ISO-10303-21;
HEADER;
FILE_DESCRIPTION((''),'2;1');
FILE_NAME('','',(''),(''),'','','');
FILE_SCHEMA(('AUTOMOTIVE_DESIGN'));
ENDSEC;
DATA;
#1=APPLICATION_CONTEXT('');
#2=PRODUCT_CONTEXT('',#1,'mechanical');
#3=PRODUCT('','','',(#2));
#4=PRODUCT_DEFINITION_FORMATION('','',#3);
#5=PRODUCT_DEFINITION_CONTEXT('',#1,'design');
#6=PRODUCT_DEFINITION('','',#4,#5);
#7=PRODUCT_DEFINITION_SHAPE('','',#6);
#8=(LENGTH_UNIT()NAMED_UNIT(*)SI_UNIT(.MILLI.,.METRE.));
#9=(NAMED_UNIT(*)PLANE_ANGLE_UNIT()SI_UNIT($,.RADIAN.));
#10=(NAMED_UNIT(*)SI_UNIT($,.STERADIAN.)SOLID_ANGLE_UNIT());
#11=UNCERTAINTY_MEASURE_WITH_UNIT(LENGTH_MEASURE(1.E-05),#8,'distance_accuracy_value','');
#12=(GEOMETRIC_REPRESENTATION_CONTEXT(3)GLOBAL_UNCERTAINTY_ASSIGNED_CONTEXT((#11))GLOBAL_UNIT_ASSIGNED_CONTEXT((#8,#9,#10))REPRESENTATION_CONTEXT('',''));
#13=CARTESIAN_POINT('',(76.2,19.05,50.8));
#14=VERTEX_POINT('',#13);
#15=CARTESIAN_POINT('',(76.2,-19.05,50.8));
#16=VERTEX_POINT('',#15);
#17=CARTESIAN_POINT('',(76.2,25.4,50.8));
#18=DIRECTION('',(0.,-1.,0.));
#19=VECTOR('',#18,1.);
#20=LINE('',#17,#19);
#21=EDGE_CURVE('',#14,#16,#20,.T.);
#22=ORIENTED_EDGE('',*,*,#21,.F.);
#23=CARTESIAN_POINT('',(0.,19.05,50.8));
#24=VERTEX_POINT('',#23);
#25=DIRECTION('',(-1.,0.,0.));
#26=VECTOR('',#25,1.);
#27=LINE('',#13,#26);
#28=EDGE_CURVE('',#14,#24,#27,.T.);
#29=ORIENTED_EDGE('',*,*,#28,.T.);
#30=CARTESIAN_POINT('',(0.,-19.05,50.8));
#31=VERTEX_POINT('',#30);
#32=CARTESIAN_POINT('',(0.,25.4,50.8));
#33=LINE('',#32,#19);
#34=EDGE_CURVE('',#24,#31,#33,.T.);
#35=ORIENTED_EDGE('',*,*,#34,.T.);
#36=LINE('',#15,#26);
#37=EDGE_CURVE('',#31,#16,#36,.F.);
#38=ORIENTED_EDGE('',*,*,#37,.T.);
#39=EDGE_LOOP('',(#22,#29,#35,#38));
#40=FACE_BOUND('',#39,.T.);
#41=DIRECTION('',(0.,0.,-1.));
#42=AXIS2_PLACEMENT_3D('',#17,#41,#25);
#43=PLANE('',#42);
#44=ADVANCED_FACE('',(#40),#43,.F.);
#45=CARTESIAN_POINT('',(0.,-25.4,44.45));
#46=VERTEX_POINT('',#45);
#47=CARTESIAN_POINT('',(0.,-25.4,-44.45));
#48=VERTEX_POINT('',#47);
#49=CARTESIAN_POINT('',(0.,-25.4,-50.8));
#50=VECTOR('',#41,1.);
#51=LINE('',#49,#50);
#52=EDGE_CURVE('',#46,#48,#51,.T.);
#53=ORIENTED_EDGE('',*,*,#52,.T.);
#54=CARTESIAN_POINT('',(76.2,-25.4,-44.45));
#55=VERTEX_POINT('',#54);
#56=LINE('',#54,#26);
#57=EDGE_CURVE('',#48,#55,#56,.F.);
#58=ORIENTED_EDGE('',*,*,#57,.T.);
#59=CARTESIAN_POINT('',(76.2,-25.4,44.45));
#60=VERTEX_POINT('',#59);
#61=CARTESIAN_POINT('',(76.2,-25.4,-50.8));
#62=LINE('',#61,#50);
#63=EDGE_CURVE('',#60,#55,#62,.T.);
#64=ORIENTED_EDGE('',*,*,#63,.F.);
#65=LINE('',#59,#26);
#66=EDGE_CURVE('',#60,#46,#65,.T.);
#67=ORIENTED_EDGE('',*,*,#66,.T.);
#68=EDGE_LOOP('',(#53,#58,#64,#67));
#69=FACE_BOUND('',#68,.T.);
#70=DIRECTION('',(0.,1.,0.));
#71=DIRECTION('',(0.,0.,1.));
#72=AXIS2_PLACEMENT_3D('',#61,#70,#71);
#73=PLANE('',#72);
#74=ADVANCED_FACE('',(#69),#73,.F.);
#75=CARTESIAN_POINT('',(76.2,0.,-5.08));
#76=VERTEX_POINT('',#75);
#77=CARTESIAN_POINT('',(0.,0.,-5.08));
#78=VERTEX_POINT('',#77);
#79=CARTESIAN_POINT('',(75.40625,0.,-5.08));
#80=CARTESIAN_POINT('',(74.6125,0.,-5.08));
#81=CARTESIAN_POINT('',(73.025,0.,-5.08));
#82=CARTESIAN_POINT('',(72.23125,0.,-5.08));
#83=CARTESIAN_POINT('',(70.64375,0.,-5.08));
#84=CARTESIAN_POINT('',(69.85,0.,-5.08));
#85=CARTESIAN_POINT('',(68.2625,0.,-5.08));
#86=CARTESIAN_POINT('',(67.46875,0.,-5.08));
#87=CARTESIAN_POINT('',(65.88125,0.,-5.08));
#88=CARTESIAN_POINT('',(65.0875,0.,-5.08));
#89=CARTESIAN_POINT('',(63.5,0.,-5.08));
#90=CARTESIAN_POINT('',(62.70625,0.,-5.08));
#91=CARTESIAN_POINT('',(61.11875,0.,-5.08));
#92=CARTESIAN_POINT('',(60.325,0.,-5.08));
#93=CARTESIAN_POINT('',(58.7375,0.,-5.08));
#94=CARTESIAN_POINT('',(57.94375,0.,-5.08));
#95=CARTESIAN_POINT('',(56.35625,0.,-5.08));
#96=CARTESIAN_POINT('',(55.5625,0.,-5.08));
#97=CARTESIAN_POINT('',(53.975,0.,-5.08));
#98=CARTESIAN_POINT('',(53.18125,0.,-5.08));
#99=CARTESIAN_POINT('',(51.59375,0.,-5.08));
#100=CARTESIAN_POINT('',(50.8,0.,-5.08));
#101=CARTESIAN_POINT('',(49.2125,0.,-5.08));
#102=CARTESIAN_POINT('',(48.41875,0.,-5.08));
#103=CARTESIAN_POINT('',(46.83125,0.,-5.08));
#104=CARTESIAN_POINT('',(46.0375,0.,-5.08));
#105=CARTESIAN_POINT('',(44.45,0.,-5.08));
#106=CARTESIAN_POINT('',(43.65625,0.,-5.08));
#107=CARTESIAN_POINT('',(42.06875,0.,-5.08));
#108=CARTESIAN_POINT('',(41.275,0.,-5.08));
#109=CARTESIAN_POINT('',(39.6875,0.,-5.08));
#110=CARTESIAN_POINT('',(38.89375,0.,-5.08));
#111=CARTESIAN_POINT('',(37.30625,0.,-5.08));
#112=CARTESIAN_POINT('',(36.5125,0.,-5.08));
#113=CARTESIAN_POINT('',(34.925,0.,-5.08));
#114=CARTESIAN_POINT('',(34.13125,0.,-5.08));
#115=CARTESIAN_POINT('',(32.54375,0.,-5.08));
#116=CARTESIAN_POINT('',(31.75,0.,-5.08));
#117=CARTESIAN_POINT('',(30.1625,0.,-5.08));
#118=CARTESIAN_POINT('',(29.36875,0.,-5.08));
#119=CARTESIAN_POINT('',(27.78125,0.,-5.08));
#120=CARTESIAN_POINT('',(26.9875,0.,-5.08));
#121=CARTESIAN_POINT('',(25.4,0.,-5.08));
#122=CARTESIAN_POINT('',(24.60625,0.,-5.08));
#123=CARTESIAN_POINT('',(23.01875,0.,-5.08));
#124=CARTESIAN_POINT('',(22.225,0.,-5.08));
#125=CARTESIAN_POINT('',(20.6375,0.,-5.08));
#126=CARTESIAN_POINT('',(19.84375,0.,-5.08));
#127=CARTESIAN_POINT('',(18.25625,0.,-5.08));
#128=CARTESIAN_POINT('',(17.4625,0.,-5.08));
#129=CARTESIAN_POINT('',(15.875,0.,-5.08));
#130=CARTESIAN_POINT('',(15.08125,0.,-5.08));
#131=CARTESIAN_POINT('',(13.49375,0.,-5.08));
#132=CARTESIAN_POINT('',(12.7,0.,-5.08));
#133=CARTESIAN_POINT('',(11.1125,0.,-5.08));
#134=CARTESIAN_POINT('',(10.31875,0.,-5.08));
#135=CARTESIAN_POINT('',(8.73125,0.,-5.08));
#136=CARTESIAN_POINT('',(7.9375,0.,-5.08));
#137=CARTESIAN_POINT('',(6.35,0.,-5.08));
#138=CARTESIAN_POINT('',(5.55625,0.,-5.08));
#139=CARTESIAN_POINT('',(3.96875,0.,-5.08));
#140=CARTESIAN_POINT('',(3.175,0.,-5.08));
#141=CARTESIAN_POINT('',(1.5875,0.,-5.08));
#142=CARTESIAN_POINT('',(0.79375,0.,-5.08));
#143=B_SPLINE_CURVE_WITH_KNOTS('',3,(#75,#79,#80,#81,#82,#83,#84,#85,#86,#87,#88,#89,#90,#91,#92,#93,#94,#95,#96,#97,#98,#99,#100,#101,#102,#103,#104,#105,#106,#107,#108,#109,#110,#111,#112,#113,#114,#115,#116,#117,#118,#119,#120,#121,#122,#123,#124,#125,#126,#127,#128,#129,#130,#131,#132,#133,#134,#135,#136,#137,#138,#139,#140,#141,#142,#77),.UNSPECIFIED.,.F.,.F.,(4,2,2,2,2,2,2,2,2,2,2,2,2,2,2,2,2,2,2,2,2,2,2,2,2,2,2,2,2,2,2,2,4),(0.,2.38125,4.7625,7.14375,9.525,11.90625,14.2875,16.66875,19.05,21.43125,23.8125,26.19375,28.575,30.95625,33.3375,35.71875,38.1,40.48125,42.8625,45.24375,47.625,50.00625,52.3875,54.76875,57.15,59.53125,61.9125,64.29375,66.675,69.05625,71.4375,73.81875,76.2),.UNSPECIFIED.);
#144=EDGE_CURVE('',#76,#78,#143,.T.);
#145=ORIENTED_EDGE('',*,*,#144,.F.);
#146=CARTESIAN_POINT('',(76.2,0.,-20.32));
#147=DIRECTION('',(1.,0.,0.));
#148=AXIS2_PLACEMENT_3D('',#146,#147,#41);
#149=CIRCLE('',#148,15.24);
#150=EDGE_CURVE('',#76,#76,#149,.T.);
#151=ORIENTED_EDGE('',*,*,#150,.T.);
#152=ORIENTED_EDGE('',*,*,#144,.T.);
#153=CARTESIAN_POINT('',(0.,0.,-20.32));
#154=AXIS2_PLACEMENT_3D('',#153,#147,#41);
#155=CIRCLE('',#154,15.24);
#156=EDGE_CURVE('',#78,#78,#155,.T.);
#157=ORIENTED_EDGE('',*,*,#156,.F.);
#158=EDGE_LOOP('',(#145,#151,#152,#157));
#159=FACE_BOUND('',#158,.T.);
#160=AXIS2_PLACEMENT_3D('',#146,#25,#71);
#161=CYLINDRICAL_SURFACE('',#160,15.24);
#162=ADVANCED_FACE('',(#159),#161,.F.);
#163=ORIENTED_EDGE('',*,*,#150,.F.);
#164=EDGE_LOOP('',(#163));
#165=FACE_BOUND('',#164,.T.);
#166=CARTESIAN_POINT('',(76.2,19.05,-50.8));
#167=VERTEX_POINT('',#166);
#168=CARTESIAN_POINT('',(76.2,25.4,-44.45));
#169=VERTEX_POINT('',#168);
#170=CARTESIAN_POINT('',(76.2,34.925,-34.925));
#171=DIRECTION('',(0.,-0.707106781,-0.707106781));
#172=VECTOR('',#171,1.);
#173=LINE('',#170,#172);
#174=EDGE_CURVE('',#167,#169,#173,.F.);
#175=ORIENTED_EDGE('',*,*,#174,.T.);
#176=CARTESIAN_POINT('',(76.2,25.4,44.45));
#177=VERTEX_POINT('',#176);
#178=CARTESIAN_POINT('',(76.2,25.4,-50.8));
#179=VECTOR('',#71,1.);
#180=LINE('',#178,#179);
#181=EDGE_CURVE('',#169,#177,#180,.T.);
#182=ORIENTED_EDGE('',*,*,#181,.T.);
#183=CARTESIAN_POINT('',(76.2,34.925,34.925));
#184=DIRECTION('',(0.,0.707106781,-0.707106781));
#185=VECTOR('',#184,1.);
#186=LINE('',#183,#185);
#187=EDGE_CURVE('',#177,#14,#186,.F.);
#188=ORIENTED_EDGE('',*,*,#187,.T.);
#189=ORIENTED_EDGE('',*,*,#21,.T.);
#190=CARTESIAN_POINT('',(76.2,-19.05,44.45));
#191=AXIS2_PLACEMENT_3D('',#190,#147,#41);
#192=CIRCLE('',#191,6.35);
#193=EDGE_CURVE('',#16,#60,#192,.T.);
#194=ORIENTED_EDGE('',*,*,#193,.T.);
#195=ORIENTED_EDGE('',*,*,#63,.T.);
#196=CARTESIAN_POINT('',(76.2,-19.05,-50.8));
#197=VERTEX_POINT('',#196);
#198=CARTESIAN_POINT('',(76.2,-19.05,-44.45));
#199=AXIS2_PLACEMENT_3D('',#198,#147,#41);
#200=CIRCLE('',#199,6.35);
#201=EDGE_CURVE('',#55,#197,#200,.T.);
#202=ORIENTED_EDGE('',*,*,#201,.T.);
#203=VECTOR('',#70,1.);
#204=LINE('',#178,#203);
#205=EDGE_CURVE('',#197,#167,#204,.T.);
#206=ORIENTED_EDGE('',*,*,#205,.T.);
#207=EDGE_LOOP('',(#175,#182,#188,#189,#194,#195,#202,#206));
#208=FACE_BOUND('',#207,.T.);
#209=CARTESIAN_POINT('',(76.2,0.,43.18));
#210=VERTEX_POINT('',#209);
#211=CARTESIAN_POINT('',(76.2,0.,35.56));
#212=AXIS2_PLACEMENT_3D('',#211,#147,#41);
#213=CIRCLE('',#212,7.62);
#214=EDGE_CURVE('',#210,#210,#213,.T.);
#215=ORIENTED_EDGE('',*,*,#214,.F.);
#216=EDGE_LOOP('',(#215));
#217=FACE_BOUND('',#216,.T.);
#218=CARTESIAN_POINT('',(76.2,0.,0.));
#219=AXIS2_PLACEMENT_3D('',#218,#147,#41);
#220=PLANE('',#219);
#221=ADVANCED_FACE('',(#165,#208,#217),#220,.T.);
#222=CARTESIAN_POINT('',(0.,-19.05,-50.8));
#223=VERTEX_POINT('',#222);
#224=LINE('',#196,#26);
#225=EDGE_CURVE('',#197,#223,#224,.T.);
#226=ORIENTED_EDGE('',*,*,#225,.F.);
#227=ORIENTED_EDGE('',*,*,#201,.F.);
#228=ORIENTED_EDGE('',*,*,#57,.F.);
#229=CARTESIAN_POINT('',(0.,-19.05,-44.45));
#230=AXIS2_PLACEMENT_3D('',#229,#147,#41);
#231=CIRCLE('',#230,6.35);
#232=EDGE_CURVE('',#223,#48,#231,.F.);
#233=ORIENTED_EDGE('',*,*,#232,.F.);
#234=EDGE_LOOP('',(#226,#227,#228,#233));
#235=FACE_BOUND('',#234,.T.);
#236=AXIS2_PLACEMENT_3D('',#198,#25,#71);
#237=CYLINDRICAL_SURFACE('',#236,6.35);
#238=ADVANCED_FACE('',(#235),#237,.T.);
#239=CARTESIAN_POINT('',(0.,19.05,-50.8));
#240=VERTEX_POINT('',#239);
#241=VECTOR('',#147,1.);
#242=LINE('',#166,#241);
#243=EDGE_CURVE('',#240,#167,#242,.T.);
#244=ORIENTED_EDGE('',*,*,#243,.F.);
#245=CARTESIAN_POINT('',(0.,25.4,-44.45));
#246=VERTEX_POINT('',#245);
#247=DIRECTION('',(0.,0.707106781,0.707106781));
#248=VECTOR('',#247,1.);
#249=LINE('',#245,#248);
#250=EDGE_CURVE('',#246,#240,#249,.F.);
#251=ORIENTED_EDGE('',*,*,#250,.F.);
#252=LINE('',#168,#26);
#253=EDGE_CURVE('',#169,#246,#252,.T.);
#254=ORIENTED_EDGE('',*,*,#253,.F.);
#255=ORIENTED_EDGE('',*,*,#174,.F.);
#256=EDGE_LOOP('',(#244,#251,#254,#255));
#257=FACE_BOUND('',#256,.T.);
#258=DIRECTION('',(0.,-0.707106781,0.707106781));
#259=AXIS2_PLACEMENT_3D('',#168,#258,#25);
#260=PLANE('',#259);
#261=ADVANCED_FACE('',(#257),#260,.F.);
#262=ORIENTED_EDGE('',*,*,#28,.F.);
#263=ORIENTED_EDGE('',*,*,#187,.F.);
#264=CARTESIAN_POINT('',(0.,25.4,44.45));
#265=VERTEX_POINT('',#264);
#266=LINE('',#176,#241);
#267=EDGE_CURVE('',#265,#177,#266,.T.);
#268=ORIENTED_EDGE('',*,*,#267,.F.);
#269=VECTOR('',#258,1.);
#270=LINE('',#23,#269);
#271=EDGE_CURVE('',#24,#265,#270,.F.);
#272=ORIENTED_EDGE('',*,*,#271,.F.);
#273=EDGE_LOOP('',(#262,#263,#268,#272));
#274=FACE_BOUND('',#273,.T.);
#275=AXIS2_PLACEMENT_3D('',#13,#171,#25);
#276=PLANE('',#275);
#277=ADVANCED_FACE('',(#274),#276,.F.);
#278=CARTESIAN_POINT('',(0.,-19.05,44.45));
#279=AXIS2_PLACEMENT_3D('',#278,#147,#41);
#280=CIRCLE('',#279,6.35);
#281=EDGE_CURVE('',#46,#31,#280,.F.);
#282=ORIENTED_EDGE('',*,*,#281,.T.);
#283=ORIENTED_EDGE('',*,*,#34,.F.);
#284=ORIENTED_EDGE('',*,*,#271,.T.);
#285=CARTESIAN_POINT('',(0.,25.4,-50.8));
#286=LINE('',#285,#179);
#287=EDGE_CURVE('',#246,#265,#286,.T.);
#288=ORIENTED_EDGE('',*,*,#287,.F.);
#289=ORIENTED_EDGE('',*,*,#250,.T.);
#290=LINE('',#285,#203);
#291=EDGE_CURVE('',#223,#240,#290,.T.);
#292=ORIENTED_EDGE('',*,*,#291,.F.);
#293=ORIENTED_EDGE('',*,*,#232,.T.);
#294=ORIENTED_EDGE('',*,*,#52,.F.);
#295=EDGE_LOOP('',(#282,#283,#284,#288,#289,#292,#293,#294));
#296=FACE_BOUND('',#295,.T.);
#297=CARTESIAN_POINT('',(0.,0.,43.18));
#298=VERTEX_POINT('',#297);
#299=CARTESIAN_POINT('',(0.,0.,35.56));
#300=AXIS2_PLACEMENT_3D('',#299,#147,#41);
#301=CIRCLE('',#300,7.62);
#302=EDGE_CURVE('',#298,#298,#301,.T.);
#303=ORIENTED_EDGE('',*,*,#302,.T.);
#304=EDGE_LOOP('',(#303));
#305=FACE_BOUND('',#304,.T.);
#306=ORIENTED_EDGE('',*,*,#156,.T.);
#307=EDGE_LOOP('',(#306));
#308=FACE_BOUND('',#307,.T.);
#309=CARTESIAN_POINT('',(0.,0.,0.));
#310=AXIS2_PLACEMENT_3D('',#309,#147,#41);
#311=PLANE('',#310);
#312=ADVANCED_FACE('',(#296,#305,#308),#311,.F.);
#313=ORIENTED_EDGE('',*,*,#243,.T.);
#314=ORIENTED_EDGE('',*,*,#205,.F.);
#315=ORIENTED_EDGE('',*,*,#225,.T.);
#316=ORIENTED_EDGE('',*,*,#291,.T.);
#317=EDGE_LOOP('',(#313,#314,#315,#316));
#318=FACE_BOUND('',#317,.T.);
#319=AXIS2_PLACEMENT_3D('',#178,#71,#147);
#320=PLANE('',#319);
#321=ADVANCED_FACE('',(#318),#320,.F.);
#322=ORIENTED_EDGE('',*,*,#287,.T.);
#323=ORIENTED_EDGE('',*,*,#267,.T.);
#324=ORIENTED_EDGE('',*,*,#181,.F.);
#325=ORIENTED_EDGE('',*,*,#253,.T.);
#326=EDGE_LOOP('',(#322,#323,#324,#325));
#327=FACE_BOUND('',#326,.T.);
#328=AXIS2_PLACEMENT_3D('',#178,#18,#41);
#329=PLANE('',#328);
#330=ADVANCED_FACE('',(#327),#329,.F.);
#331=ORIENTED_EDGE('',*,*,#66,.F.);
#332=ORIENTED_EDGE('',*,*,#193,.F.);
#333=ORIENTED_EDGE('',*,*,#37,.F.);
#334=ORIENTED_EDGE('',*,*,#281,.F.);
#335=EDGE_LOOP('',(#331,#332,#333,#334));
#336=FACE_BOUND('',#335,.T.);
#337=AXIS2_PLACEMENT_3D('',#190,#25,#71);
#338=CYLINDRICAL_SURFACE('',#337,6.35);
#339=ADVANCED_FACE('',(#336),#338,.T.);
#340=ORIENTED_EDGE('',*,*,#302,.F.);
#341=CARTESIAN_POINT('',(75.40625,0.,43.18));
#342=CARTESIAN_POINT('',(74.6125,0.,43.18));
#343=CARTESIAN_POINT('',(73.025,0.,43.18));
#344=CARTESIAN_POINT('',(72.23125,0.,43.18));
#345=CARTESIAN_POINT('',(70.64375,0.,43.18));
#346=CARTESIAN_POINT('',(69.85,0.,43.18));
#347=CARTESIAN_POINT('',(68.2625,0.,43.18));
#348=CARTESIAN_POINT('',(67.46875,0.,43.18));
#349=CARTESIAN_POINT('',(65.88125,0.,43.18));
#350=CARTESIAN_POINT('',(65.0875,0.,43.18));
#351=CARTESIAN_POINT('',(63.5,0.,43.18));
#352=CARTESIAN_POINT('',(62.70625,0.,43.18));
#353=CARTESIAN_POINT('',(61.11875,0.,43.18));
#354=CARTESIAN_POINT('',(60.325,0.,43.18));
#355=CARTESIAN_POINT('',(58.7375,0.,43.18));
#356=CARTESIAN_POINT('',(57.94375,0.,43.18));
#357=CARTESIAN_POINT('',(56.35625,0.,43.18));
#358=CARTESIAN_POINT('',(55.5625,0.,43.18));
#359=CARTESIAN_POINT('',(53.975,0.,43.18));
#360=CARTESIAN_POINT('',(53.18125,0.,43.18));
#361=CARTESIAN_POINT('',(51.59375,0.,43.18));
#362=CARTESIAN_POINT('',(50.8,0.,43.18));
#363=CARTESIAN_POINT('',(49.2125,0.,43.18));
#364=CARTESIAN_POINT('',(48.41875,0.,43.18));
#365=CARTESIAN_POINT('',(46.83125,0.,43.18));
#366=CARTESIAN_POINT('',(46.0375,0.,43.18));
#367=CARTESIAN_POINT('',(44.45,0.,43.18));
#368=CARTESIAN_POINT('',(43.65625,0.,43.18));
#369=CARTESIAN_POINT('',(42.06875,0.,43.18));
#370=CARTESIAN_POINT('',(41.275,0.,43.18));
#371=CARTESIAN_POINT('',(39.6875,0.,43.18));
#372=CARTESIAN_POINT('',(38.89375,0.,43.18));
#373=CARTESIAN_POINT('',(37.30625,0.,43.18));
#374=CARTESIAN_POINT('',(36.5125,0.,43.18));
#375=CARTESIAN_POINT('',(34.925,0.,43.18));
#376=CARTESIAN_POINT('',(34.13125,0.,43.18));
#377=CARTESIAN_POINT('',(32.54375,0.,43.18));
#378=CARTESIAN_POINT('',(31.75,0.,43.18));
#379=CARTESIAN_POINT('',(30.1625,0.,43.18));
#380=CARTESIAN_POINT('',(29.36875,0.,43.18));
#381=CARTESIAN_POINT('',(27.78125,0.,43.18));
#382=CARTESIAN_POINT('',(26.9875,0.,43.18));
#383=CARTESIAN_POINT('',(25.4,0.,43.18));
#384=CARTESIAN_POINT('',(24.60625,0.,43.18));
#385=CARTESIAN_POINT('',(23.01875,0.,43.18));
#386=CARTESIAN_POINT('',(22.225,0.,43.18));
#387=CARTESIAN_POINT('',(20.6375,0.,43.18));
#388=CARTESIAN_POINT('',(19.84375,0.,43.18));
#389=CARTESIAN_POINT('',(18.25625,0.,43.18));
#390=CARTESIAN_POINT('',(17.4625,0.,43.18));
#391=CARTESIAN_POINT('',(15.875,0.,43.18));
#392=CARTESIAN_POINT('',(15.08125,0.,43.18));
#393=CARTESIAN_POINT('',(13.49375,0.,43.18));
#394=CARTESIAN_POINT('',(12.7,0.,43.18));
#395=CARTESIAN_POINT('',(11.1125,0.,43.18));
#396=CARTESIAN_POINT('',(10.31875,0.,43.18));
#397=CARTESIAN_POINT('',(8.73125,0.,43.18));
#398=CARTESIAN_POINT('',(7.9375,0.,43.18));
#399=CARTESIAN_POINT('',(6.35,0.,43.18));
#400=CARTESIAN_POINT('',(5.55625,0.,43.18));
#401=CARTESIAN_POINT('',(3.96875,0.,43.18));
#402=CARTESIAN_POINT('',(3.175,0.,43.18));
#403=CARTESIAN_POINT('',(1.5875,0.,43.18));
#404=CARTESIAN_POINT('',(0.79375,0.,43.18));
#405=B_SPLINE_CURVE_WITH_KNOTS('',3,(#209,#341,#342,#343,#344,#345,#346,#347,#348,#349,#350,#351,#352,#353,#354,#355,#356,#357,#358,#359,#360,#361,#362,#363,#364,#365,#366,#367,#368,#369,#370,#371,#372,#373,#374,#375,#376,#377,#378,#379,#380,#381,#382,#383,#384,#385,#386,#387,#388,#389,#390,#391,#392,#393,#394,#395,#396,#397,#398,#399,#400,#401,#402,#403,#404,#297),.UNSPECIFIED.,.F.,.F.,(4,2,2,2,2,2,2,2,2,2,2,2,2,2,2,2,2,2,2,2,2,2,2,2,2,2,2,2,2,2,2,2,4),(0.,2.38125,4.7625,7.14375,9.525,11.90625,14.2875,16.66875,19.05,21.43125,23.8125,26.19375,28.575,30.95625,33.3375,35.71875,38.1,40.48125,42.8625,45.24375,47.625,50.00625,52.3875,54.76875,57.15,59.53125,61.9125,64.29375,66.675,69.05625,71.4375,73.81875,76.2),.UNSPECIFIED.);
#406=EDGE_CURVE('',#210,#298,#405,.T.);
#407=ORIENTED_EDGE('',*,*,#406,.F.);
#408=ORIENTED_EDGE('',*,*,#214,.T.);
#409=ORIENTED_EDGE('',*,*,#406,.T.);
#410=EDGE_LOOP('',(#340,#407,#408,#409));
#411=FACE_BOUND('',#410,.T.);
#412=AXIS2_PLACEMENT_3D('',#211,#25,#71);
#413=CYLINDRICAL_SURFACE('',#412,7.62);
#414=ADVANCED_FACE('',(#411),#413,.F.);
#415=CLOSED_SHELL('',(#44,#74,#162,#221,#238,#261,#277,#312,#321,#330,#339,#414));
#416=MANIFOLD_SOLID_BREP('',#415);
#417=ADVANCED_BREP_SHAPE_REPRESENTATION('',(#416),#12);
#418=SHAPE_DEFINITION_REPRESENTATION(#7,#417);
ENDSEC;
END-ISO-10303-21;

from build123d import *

# Parameters (mm, degrees)
SKETCH1_W           = 50.8
SKETCH1_H           = 101.6
SKETCH1_R           = 15.24
SKETCH1_R_2         = 7.62
BOSS_EXTRUDE1_DEPTH = 76.2
FILLET1_R           = 6.35
CHAMFER1_SIZE       = 6.35


with BuildPart() as part:
    # Sketch1 → Boss-Extrude1 (new body)
    with BuildSketch(Plane.YZ):
        Rectangle(SKETCH1_W, SKETCH1_H)
        with Locations(Location((0, -20.32, 0), (0, 0, 90))):
            Circle(SKETCH1_R, mode=Mode.SUBTRACT)
        with Locations(Location((0, 35.56, 0), (0, 0, 90))):
            Circle(SKETCH1_R_2, mode=Mode.SUBTRACT)
    extrude(amount=BOSS_EXTRUDE1_DEPTH)

    # Fillet1
    fillet1_edges = [part.edges().sort_by_distance(p)[0] for p in [
        (38.1, -25.4, 50.8),
        (38.1, -25.4, -50.8),
    ]]
    fillet(fillet1_edges, radius=FILLET1_R)

    # Chamfer1
    chamfer1_edges = [part.edges().sort_by_distance(p)[0] for p in [
        (38.1, 25.4, 50.8),
        (38.1, 25.4, -50.8),
    ]]
    chamfer(chamfer1_edges, length=CHAMFER1_SIZE)


solid = part.part
